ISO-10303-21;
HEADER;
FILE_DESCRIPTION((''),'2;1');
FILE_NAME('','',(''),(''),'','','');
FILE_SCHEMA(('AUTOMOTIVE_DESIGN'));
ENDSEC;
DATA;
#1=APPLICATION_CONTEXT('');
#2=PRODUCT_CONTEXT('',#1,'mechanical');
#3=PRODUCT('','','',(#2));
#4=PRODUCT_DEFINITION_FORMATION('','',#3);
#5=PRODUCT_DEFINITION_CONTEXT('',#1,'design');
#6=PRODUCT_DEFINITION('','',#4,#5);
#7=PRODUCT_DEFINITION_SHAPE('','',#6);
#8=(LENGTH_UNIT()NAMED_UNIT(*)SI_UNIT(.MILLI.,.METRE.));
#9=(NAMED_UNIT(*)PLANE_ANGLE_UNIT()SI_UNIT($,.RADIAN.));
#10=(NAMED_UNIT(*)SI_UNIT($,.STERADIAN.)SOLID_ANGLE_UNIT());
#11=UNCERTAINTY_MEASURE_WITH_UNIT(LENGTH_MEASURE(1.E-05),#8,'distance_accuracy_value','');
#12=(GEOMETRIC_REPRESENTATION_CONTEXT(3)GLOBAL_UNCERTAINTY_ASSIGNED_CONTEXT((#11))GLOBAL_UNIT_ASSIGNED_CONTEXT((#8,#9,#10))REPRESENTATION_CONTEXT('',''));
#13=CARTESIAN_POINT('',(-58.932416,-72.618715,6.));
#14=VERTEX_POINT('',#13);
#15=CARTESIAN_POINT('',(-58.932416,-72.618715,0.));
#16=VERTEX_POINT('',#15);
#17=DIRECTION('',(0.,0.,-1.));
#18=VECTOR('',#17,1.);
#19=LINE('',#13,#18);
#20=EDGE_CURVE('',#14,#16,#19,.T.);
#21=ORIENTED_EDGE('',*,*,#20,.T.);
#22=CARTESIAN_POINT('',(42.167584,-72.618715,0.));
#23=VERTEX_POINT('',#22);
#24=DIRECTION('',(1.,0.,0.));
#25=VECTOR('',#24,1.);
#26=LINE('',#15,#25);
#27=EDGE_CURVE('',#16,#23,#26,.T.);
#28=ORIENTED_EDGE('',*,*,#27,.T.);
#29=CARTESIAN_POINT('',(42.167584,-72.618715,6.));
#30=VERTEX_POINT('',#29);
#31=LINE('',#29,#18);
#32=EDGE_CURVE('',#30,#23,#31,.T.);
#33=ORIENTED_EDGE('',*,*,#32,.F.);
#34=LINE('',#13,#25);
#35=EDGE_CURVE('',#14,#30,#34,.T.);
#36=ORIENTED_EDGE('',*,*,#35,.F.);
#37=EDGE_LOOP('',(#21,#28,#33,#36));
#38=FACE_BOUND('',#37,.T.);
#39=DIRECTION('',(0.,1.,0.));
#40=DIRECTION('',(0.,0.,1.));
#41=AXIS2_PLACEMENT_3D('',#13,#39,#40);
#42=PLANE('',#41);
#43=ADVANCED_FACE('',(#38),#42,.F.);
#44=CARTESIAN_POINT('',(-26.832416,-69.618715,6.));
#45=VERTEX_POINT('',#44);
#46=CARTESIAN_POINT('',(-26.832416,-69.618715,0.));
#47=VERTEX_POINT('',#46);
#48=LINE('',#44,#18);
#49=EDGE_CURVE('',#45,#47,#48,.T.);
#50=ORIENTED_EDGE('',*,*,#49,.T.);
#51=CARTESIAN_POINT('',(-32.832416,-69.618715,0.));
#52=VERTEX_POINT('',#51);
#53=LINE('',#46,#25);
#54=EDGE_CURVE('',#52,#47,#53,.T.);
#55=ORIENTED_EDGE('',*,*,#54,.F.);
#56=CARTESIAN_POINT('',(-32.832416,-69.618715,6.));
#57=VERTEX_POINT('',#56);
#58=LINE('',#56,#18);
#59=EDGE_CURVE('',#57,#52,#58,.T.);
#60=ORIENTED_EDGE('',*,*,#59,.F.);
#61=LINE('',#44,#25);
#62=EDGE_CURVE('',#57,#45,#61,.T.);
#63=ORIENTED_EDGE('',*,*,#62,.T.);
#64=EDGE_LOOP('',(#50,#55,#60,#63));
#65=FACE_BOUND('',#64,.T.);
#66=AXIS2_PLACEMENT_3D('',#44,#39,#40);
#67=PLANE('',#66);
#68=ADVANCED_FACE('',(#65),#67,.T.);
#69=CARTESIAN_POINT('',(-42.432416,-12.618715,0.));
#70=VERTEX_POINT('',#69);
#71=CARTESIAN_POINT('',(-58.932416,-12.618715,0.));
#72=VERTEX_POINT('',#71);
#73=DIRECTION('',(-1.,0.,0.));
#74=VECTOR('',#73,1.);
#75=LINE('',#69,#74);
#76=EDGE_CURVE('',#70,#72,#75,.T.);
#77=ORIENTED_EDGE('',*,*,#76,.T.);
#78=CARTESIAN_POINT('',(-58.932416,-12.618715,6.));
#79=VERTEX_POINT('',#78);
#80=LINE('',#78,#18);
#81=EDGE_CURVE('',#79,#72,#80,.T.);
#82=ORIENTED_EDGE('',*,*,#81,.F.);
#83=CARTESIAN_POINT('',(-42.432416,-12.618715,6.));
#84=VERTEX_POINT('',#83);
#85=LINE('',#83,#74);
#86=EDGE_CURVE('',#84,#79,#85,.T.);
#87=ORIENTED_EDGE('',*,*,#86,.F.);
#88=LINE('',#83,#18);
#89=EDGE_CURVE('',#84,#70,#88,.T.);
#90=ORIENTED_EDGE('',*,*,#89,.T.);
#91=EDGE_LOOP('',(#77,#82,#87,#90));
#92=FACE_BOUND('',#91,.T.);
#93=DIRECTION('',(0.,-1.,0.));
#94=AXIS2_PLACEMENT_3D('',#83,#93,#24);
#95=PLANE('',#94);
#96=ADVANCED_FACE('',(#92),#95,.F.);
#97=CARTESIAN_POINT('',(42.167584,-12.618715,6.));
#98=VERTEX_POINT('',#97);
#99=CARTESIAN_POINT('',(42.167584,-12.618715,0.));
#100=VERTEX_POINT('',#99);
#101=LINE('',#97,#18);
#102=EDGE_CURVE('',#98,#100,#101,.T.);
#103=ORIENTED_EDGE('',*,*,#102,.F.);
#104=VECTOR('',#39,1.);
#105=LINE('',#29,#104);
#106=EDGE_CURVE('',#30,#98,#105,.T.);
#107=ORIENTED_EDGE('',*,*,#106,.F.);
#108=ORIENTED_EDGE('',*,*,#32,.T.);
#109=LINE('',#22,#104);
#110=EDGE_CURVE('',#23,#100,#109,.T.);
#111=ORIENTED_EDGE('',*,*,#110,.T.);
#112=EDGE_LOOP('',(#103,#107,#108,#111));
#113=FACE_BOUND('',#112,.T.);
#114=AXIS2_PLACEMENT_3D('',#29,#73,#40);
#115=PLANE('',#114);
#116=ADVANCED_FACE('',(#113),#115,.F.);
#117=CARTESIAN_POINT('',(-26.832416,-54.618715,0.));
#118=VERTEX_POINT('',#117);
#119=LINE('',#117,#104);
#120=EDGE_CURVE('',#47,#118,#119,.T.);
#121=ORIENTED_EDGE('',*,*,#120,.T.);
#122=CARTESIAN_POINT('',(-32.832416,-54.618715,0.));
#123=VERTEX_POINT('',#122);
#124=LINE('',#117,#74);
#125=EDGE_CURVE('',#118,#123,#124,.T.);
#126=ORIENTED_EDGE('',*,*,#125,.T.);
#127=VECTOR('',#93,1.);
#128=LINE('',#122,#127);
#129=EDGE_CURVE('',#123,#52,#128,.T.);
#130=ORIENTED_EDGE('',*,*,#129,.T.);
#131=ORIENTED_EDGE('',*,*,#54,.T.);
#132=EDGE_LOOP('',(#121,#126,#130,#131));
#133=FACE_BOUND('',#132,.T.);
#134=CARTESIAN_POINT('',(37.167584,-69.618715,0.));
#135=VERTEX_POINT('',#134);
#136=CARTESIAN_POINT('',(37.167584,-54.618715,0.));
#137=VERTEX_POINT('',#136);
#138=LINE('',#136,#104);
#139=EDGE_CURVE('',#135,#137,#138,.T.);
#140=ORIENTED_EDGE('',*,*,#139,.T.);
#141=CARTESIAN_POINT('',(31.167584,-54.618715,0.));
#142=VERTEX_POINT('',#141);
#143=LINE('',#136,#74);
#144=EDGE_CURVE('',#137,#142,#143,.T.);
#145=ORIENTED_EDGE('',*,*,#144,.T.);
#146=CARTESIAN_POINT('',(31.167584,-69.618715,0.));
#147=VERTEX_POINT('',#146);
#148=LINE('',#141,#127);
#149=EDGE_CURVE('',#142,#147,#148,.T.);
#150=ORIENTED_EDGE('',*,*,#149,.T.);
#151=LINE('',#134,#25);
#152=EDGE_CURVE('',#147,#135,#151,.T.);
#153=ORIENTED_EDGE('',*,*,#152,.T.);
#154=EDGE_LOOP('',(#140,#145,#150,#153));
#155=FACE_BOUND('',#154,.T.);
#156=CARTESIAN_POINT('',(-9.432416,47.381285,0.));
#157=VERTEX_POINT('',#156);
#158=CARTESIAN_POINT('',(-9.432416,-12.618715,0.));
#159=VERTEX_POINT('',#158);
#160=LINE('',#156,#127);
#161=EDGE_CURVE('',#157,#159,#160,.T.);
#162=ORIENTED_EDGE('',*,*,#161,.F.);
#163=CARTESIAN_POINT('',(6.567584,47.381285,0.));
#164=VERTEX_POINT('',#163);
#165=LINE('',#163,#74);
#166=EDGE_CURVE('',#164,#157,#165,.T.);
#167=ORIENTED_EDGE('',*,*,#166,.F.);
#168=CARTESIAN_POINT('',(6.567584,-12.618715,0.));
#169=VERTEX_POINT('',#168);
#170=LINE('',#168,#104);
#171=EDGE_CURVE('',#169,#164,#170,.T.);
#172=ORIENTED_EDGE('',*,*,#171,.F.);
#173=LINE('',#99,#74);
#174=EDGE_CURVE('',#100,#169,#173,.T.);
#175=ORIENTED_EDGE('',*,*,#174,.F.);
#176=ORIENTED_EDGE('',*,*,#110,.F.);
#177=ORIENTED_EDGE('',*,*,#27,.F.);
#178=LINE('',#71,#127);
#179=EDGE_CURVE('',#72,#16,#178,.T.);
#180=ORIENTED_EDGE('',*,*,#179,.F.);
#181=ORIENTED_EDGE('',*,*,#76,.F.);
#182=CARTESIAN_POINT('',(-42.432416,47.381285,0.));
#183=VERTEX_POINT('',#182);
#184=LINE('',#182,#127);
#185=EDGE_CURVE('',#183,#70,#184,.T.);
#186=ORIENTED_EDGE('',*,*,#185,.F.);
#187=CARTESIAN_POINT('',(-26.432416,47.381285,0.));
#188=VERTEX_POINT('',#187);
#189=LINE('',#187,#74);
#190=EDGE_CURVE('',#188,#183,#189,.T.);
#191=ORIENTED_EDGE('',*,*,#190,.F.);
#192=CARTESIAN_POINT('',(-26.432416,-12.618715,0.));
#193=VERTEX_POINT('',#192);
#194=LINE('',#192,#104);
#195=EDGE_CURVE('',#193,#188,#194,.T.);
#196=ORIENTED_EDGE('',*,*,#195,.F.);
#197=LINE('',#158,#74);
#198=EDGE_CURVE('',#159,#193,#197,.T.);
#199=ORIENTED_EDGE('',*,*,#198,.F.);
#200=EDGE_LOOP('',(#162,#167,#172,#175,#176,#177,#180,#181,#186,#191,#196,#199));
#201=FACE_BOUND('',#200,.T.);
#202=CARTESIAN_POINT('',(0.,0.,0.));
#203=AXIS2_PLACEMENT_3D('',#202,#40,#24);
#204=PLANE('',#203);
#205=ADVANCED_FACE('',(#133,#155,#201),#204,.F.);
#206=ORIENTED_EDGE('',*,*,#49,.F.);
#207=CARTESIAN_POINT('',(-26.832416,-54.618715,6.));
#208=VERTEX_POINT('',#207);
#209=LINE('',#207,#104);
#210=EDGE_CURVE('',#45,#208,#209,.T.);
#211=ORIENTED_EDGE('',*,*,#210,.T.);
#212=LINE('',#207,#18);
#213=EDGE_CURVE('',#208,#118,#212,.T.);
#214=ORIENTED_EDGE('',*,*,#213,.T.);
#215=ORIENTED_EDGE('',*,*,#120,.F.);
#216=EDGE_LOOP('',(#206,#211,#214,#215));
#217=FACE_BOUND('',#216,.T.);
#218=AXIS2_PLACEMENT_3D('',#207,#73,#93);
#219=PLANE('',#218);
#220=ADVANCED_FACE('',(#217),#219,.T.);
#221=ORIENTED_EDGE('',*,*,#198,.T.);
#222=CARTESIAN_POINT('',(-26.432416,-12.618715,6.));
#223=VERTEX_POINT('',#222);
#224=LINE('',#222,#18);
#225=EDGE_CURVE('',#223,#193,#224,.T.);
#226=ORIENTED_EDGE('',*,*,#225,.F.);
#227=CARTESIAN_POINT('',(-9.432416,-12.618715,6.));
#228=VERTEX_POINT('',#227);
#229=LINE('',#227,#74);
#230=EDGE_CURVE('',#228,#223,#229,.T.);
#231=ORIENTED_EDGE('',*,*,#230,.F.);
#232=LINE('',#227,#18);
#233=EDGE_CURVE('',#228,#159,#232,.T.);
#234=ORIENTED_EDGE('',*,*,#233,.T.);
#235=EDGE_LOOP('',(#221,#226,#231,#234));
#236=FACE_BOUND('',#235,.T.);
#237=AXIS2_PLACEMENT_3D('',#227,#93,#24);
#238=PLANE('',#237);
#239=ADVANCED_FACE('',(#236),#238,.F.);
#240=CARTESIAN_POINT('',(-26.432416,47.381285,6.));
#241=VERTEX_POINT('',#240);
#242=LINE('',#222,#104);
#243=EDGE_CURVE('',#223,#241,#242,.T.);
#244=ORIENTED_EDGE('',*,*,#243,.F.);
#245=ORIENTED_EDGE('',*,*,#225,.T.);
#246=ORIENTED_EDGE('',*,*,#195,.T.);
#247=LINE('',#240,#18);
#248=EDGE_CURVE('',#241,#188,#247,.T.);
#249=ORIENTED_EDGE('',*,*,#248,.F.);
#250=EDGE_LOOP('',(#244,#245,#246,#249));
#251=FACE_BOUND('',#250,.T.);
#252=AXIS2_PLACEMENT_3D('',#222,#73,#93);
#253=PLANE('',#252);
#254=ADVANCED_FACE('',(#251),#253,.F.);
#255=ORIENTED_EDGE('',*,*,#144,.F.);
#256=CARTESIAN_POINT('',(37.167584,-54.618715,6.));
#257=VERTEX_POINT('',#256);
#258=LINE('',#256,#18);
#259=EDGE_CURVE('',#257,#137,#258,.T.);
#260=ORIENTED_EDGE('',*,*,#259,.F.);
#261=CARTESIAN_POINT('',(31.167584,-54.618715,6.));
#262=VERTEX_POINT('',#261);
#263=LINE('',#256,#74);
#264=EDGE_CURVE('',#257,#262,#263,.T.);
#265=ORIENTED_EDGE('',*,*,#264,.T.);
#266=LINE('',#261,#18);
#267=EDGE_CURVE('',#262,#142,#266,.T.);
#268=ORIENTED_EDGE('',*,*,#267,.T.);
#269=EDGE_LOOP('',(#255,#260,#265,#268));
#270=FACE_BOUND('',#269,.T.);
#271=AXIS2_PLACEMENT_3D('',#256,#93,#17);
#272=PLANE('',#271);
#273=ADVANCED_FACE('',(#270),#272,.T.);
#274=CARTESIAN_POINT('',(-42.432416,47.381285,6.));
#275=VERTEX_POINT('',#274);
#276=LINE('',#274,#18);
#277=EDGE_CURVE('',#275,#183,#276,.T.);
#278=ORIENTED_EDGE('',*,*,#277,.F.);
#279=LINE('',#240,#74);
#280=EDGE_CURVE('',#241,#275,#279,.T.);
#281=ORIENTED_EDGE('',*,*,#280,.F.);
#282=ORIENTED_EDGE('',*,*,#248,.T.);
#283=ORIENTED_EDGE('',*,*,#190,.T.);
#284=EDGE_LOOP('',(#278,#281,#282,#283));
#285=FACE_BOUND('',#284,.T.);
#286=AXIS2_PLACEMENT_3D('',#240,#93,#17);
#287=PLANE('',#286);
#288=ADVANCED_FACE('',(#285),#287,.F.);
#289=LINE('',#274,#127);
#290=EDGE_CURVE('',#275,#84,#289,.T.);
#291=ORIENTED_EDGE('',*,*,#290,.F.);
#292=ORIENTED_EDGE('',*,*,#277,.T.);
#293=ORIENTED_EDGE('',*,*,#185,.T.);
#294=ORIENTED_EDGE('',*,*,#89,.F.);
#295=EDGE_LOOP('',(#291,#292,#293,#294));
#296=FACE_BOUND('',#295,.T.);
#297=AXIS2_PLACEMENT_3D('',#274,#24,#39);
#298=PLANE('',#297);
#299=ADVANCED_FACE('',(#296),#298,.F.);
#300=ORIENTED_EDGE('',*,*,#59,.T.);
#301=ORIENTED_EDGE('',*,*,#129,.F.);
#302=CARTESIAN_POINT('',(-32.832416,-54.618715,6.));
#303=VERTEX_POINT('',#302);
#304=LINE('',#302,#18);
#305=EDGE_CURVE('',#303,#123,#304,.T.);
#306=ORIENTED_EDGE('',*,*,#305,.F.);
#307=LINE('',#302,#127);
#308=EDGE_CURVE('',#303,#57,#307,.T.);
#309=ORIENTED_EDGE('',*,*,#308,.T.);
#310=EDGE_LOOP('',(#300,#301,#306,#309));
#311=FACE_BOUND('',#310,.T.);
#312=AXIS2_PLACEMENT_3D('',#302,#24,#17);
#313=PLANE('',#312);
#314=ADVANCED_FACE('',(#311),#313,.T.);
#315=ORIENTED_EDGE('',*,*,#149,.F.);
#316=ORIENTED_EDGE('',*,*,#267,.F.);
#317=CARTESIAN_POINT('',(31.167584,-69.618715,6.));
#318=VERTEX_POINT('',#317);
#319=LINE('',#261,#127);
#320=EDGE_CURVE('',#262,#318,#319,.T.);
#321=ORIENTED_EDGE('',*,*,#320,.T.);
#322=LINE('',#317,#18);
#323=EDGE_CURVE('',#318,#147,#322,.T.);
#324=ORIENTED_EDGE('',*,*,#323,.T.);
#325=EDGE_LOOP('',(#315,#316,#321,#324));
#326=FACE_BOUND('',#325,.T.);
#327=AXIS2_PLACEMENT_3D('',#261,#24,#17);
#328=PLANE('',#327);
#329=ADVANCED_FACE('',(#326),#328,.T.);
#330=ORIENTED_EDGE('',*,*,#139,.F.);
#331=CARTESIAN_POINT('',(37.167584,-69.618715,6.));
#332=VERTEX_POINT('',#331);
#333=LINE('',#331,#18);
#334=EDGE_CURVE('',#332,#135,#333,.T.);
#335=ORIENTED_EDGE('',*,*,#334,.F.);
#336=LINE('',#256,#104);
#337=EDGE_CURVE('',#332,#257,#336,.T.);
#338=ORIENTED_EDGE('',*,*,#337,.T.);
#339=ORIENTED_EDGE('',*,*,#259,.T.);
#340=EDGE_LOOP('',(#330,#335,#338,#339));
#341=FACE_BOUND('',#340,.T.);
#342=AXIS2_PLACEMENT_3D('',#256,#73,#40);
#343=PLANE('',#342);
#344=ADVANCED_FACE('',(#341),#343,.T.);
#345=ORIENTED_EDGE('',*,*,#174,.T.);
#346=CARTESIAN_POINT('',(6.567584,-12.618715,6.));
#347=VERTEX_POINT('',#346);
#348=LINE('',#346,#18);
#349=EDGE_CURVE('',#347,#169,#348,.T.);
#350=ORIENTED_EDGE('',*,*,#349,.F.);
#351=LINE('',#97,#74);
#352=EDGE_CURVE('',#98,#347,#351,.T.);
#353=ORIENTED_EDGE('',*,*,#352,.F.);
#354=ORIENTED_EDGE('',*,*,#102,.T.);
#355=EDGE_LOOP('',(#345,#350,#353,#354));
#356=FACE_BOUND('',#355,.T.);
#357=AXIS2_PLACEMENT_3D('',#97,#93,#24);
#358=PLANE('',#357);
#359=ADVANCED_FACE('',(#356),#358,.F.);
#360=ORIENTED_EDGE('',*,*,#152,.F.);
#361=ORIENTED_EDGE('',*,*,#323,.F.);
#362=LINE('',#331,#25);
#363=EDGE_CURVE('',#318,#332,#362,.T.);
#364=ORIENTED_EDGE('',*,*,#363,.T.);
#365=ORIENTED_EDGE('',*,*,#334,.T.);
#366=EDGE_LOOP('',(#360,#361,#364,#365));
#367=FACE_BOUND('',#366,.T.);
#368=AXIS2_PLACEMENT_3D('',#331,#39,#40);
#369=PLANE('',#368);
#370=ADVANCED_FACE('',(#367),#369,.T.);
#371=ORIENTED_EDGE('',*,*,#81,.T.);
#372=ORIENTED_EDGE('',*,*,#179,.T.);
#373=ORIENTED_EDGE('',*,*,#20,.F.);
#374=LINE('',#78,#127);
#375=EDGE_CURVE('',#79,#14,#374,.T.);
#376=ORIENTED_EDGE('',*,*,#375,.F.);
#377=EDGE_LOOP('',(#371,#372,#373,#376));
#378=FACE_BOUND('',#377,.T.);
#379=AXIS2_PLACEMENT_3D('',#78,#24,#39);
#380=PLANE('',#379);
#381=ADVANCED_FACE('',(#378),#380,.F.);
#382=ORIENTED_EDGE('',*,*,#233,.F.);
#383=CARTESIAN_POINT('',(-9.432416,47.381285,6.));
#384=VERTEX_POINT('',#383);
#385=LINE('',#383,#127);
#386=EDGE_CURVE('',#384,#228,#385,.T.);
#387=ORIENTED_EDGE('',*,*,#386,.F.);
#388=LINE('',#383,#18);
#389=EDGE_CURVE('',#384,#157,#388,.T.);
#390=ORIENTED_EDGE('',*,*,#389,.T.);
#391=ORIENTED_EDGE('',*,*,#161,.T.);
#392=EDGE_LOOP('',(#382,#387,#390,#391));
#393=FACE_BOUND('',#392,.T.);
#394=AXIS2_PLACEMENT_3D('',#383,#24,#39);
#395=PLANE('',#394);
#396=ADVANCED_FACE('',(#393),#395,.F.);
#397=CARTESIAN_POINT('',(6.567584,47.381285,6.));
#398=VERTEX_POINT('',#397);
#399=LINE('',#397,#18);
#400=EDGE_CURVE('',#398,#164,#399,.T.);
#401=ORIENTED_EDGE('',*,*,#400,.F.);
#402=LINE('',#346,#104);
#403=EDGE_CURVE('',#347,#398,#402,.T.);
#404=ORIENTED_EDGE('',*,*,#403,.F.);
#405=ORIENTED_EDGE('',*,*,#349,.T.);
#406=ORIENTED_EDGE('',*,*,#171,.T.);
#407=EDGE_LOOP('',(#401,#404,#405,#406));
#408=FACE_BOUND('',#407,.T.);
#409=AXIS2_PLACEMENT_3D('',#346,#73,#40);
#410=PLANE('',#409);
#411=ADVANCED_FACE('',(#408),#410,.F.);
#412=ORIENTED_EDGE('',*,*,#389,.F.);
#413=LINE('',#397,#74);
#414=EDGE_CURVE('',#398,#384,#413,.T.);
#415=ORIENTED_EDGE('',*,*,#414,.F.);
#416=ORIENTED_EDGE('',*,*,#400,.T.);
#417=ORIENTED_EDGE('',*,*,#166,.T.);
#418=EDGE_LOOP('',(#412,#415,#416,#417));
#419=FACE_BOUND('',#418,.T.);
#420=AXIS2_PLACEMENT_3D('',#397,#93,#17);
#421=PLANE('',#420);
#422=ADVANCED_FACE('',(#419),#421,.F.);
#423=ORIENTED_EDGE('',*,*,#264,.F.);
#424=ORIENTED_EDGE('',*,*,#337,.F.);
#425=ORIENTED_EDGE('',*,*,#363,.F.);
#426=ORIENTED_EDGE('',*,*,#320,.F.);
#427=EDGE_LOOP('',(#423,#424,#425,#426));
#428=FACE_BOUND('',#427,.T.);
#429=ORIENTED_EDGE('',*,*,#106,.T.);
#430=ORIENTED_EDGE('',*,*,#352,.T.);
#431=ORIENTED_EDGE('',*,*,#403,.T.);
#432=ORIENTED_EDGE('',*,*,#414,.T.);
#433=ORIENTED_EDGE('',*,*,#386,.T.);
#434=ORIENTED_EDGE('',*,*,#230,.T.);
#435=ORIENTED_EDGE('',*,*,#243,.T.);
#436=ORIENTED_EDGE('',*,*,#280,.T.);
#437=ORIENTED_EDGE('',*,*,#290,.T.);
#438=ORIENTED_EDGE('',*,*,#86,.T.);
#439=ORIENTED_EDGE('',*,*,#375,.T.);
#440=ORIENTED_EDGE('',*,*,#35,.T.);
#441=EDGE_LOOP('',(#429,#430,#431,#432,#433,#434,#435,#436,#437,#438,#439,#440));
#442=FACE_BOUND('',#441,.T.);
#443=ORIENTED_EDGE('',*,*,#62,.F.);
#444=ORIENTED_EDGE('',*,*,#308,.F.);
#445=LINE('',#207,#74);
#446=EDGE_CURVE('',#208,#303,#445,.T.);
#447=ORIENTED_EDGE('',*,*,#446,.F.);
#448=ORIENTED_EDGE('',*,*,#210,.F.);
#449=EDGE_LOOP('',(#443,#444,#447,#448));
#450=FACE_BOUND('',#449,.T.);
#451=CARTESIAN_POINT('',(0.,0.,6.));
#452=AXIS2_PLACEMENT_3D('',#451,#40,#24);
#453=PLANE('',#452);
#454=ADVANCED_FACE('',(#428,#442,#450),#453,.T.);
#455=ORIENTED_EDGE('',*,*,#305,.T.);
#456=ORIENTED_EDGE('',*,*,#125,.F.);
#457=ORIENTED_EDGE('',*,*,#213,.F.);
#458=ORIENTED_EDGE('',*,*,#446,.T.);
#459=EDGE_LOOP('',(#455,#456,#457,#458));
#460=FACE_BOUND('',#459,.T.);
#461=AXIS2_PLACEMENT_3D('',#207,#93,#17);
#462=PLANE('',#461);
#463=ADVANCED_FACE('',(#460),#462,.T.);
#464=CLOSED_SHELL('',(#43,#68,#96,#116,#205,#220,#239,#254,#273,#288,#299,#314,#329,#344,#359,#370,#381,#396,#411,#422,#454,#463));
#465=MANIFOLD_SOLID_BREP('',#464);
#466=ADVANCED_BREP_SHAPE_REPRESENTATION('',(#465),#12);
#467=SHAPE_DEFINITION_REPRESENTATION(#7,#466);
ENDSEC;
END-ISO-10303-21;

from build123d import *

# Parameters (mm, degrees)
ESQUISSE1_W        = 6
ESQUISSE1_H        = 15
BOSS_EXTRU_1_DEPTH = 6


with BuildPart() as part:
    # Esquisse1 → Boss.-Extru.1 (new body)
    with BuildSketch(Plane.XY):
        Polygon((42.167583758, -72.618715084), (42.167583758, -12.618715084), (6.567583758, -12.618715084), (6.567583758, 47.381284916), (-9.432416242, 47.381284916), (-9.432416242, -12.618715084), (-26.432416242, -12.618715084), (-26.432416242, 47.381284916), (-42.432416242, 47.381284916), (-42.432416242, -12.618715084), (-58.932416242, -12.618715084), (-58.932416242, -72.618715084), align=None)
        with Locations((34.167583758, -62.118715084)):
            Rectangle(ESQUISSE1_W, ESQUISSE1_H, mode=Mode.SUBTRACT)
        with Locations((-29.832416242, -62.118715084)):
            Rectangle(ESQUISSE1_W, ESQUISSE1_H, mode=Mode.SUBTRACT)
    extrude(amount=BOSS_EXTRU_1_DEPTH)


solid = part.part
